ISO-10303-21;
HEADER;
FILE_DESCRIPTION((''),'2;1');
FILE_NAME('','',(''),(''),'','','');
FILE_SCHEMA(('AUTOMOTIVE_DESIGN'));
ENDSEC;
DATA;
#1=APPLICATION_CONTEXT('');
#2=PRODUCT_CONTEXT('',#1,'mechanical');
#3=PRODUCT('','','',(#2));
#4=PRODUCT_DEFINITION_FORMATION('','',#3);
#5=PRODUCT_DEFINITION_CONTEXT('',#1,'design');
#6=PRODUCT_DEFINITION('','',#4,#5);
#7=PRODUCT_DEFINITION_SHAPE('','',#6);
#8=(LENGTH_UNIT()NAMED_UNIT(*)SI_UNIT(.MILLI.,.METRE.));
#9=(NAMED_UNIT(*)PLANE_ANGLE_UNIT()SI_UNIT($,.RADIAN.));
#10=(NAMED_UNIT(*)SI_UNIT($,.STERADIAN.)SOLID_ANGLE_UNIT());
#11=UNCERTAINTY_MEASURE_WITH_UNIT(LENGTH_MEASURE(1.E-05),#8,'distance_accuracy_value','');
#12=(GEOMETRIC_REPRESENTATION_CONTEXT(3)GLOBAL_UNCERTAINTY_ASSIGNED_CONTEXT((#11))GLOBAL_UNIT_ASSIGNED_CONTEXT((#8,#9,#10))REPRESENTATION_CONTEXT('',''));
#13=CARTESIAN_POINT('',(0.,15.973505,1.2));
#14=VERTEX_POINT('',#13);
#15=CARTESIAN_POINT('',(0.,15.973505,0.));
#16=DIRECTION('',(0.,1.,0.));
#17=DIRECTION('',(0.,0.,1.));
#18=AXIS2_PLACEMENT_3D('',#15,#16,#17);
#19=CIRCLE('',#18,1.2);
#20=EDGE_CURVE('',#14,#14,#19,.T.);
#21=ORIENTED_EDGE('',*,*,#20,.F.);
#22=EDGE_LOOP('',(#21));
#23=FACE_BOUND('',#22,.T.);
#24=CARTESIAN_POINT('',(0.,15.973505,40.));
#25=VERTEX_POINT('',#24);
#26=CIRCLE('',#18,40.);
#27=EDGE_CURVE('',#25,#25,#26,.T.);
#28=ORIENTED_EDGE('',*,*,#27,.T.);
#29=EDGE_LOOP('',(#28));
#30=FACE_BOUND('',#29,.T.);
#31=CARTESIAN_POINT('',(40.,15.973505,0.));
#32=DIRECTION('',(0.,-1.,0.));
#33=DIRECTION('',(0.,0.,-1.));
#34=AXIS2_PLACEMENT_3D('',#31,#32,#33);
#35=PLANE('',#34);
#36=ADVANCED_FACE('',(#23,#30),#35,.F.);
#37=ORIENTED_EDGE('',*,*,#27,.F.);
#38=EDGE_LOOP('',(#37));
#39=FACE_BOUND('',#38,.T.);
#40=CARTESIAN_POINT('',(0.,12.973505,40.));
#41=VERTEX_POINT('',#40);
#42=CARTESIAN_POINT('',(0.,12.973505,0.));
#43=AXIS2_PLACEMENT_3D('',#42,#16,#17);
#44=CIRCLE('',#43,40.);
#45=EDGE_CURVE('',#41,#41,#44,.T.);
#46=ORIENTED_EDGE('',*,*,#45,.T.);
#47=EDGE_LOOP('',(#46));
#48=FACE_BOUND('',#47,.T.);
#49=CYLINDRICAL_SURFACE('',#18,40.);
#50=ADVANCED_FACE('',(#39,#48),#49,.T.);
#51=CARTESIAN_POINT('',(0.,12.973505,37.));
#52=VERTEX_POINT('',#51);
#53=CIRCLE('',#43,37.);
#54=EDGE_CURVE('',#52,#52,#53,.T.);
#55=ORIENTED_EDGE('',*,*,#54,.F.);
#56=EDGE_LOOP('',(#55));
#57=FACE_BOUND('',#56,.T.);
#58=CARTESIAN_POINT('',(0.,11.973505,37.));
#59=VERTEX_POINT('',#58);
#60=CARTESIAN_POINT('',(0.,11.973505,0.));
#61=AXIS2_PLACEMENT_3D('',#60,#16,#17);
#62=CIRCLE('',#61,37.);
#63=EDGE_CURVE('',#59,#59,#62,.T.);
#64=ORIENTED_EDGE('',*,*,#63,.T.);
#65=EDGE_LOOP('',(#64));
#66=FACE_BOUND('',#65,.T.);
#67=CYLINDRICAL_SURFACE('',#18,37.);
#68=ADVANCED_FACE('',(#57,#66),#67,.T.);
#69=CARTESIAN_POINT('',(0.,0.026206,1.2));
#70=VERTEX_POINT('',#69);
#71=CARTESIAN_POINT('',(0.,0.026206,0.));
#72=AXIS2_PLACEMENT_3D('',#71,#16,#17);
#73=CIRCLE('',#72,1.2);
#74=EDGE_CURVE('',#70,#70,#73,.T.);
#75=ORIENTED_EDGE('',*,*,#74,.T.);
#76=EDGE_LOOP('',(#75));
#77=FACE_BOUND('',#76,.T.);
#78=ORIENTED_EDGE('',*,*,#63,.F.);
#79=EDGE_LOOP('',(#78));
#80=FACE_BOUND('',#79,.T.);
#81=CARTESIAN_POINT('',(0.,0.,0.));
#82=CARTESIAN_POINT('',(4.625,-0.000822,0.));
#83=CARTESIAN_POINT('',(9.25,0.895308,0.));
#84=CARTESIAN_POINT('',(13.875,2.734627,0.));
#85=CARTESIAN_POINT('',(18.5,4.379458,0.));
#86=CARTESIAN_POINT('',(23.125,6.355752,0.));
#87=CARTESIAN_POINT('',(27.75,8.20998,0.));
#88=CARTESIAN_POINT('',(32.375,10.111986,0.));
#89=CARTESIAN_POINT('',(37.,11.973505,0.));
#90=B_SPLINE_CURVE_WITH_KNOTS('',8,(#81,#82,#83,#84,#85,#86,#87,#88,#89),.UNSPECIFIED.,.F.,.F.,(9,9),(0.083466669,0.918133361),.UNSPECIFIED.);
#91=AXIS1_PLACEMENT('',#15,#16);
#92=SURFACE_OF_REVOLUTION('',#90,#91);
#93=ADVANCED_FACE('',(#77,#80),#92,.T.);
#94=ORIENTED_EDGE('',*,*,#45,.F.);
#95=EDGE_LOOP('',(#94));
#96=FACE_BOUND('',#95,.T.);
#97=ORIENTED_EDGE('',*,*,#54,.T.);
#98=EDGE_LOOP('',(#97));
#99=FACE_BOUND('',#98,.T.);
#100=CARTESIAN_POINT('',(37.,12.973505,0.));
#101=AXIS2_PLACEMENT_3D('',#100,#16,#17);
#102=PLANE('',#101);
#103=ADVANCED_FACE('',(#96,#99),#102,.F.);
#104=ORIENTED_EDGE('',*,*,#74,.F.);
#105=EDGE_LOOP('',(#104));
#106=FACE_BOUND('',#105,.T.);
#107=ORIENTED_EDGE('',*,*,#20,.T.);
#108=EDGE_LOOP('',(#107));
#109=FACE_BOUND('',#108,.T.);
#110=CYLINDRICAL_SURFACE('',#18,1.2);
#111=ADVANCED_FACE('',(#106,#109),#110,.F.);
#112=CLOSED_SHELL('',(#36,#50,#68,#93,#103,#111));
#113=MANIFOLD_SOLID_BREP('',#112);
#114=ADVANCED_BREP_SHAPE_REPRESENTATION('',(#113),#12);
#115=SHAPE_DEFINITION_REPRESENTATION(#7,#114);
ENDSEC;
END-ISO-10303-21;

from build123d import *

# Parameters (mm, degrees)
SKETCH5_R          = 1.2
CUT_EXTRUDE1_DEPTH = 59.780548597


with BuildPart() as part:
    # Sketch3 → Revolve4 (revolve)
    with BuildSketch(Plane.XY, mode=Mode.PRIVATE) as revolve4_sk:
        with BuildLine():
            Line((1.2, 15.973505453), (1.2, 10.973505453))
            Line((1.2, 10.973505453), (0, 10.973505453))
            Line((0, 10.973505453), (0, 0))
            add(Edge.make_bspline(
                [(0, 0), (4.624999992, -0.000821627), (9.249999988, 0.895307711), (13.87499999, 2.734627001), (18.499999991, 4.379458464), (23.124999994, 6.355751803), (27.749999996, 8.209979743), (32.374999998, 10.111986172), (37, 11.973505453)],
                knots=[0.083466669, 0.083466669, 0.083466669, 0.083466669, 0.083466669, 0.083466669, 0.083466669, 0.083466669, 0.083466669, 0.918133361, 0.918133361, 0.918133361, 0.918133361, 0.918133361, 0.918133361, 0.918133361, 0.918133361, 0.918133361], degree=8))
            Line((37, 11.973505453), (37, 12.973505453))
            Line((37, 12.973505453), (40, 12.973505453))
            Line((40, 12.973505453), (40, 15.973505453))
            Line((40, 15.973505453), (1.2, 15.973505453))
        make_face()
    revolve(revolve4_sk.sketch.rotate(Axis((0, 15.973505453, 0), (0, -1, 0)), 90), axis=Axis((0, 15.973505453, 0), (0, -1, 0)))

    # Sketch5 → Cut-Extrude1 (cut, through all)
    with BuildSketch(Plane(origin=(0, 15.973505453, 0), x_dir=(1, 0, 0), z_dir=(0, 1, 0))):
        with Locations(Location((0, 0, 0), (0, 0, 270))):
            Circle(SKETCH5_R)
    extrude(amount=-CUT_EXTRUDE1_DEPTH, mode=Mode.SUBTRACT)


solid = part.part
